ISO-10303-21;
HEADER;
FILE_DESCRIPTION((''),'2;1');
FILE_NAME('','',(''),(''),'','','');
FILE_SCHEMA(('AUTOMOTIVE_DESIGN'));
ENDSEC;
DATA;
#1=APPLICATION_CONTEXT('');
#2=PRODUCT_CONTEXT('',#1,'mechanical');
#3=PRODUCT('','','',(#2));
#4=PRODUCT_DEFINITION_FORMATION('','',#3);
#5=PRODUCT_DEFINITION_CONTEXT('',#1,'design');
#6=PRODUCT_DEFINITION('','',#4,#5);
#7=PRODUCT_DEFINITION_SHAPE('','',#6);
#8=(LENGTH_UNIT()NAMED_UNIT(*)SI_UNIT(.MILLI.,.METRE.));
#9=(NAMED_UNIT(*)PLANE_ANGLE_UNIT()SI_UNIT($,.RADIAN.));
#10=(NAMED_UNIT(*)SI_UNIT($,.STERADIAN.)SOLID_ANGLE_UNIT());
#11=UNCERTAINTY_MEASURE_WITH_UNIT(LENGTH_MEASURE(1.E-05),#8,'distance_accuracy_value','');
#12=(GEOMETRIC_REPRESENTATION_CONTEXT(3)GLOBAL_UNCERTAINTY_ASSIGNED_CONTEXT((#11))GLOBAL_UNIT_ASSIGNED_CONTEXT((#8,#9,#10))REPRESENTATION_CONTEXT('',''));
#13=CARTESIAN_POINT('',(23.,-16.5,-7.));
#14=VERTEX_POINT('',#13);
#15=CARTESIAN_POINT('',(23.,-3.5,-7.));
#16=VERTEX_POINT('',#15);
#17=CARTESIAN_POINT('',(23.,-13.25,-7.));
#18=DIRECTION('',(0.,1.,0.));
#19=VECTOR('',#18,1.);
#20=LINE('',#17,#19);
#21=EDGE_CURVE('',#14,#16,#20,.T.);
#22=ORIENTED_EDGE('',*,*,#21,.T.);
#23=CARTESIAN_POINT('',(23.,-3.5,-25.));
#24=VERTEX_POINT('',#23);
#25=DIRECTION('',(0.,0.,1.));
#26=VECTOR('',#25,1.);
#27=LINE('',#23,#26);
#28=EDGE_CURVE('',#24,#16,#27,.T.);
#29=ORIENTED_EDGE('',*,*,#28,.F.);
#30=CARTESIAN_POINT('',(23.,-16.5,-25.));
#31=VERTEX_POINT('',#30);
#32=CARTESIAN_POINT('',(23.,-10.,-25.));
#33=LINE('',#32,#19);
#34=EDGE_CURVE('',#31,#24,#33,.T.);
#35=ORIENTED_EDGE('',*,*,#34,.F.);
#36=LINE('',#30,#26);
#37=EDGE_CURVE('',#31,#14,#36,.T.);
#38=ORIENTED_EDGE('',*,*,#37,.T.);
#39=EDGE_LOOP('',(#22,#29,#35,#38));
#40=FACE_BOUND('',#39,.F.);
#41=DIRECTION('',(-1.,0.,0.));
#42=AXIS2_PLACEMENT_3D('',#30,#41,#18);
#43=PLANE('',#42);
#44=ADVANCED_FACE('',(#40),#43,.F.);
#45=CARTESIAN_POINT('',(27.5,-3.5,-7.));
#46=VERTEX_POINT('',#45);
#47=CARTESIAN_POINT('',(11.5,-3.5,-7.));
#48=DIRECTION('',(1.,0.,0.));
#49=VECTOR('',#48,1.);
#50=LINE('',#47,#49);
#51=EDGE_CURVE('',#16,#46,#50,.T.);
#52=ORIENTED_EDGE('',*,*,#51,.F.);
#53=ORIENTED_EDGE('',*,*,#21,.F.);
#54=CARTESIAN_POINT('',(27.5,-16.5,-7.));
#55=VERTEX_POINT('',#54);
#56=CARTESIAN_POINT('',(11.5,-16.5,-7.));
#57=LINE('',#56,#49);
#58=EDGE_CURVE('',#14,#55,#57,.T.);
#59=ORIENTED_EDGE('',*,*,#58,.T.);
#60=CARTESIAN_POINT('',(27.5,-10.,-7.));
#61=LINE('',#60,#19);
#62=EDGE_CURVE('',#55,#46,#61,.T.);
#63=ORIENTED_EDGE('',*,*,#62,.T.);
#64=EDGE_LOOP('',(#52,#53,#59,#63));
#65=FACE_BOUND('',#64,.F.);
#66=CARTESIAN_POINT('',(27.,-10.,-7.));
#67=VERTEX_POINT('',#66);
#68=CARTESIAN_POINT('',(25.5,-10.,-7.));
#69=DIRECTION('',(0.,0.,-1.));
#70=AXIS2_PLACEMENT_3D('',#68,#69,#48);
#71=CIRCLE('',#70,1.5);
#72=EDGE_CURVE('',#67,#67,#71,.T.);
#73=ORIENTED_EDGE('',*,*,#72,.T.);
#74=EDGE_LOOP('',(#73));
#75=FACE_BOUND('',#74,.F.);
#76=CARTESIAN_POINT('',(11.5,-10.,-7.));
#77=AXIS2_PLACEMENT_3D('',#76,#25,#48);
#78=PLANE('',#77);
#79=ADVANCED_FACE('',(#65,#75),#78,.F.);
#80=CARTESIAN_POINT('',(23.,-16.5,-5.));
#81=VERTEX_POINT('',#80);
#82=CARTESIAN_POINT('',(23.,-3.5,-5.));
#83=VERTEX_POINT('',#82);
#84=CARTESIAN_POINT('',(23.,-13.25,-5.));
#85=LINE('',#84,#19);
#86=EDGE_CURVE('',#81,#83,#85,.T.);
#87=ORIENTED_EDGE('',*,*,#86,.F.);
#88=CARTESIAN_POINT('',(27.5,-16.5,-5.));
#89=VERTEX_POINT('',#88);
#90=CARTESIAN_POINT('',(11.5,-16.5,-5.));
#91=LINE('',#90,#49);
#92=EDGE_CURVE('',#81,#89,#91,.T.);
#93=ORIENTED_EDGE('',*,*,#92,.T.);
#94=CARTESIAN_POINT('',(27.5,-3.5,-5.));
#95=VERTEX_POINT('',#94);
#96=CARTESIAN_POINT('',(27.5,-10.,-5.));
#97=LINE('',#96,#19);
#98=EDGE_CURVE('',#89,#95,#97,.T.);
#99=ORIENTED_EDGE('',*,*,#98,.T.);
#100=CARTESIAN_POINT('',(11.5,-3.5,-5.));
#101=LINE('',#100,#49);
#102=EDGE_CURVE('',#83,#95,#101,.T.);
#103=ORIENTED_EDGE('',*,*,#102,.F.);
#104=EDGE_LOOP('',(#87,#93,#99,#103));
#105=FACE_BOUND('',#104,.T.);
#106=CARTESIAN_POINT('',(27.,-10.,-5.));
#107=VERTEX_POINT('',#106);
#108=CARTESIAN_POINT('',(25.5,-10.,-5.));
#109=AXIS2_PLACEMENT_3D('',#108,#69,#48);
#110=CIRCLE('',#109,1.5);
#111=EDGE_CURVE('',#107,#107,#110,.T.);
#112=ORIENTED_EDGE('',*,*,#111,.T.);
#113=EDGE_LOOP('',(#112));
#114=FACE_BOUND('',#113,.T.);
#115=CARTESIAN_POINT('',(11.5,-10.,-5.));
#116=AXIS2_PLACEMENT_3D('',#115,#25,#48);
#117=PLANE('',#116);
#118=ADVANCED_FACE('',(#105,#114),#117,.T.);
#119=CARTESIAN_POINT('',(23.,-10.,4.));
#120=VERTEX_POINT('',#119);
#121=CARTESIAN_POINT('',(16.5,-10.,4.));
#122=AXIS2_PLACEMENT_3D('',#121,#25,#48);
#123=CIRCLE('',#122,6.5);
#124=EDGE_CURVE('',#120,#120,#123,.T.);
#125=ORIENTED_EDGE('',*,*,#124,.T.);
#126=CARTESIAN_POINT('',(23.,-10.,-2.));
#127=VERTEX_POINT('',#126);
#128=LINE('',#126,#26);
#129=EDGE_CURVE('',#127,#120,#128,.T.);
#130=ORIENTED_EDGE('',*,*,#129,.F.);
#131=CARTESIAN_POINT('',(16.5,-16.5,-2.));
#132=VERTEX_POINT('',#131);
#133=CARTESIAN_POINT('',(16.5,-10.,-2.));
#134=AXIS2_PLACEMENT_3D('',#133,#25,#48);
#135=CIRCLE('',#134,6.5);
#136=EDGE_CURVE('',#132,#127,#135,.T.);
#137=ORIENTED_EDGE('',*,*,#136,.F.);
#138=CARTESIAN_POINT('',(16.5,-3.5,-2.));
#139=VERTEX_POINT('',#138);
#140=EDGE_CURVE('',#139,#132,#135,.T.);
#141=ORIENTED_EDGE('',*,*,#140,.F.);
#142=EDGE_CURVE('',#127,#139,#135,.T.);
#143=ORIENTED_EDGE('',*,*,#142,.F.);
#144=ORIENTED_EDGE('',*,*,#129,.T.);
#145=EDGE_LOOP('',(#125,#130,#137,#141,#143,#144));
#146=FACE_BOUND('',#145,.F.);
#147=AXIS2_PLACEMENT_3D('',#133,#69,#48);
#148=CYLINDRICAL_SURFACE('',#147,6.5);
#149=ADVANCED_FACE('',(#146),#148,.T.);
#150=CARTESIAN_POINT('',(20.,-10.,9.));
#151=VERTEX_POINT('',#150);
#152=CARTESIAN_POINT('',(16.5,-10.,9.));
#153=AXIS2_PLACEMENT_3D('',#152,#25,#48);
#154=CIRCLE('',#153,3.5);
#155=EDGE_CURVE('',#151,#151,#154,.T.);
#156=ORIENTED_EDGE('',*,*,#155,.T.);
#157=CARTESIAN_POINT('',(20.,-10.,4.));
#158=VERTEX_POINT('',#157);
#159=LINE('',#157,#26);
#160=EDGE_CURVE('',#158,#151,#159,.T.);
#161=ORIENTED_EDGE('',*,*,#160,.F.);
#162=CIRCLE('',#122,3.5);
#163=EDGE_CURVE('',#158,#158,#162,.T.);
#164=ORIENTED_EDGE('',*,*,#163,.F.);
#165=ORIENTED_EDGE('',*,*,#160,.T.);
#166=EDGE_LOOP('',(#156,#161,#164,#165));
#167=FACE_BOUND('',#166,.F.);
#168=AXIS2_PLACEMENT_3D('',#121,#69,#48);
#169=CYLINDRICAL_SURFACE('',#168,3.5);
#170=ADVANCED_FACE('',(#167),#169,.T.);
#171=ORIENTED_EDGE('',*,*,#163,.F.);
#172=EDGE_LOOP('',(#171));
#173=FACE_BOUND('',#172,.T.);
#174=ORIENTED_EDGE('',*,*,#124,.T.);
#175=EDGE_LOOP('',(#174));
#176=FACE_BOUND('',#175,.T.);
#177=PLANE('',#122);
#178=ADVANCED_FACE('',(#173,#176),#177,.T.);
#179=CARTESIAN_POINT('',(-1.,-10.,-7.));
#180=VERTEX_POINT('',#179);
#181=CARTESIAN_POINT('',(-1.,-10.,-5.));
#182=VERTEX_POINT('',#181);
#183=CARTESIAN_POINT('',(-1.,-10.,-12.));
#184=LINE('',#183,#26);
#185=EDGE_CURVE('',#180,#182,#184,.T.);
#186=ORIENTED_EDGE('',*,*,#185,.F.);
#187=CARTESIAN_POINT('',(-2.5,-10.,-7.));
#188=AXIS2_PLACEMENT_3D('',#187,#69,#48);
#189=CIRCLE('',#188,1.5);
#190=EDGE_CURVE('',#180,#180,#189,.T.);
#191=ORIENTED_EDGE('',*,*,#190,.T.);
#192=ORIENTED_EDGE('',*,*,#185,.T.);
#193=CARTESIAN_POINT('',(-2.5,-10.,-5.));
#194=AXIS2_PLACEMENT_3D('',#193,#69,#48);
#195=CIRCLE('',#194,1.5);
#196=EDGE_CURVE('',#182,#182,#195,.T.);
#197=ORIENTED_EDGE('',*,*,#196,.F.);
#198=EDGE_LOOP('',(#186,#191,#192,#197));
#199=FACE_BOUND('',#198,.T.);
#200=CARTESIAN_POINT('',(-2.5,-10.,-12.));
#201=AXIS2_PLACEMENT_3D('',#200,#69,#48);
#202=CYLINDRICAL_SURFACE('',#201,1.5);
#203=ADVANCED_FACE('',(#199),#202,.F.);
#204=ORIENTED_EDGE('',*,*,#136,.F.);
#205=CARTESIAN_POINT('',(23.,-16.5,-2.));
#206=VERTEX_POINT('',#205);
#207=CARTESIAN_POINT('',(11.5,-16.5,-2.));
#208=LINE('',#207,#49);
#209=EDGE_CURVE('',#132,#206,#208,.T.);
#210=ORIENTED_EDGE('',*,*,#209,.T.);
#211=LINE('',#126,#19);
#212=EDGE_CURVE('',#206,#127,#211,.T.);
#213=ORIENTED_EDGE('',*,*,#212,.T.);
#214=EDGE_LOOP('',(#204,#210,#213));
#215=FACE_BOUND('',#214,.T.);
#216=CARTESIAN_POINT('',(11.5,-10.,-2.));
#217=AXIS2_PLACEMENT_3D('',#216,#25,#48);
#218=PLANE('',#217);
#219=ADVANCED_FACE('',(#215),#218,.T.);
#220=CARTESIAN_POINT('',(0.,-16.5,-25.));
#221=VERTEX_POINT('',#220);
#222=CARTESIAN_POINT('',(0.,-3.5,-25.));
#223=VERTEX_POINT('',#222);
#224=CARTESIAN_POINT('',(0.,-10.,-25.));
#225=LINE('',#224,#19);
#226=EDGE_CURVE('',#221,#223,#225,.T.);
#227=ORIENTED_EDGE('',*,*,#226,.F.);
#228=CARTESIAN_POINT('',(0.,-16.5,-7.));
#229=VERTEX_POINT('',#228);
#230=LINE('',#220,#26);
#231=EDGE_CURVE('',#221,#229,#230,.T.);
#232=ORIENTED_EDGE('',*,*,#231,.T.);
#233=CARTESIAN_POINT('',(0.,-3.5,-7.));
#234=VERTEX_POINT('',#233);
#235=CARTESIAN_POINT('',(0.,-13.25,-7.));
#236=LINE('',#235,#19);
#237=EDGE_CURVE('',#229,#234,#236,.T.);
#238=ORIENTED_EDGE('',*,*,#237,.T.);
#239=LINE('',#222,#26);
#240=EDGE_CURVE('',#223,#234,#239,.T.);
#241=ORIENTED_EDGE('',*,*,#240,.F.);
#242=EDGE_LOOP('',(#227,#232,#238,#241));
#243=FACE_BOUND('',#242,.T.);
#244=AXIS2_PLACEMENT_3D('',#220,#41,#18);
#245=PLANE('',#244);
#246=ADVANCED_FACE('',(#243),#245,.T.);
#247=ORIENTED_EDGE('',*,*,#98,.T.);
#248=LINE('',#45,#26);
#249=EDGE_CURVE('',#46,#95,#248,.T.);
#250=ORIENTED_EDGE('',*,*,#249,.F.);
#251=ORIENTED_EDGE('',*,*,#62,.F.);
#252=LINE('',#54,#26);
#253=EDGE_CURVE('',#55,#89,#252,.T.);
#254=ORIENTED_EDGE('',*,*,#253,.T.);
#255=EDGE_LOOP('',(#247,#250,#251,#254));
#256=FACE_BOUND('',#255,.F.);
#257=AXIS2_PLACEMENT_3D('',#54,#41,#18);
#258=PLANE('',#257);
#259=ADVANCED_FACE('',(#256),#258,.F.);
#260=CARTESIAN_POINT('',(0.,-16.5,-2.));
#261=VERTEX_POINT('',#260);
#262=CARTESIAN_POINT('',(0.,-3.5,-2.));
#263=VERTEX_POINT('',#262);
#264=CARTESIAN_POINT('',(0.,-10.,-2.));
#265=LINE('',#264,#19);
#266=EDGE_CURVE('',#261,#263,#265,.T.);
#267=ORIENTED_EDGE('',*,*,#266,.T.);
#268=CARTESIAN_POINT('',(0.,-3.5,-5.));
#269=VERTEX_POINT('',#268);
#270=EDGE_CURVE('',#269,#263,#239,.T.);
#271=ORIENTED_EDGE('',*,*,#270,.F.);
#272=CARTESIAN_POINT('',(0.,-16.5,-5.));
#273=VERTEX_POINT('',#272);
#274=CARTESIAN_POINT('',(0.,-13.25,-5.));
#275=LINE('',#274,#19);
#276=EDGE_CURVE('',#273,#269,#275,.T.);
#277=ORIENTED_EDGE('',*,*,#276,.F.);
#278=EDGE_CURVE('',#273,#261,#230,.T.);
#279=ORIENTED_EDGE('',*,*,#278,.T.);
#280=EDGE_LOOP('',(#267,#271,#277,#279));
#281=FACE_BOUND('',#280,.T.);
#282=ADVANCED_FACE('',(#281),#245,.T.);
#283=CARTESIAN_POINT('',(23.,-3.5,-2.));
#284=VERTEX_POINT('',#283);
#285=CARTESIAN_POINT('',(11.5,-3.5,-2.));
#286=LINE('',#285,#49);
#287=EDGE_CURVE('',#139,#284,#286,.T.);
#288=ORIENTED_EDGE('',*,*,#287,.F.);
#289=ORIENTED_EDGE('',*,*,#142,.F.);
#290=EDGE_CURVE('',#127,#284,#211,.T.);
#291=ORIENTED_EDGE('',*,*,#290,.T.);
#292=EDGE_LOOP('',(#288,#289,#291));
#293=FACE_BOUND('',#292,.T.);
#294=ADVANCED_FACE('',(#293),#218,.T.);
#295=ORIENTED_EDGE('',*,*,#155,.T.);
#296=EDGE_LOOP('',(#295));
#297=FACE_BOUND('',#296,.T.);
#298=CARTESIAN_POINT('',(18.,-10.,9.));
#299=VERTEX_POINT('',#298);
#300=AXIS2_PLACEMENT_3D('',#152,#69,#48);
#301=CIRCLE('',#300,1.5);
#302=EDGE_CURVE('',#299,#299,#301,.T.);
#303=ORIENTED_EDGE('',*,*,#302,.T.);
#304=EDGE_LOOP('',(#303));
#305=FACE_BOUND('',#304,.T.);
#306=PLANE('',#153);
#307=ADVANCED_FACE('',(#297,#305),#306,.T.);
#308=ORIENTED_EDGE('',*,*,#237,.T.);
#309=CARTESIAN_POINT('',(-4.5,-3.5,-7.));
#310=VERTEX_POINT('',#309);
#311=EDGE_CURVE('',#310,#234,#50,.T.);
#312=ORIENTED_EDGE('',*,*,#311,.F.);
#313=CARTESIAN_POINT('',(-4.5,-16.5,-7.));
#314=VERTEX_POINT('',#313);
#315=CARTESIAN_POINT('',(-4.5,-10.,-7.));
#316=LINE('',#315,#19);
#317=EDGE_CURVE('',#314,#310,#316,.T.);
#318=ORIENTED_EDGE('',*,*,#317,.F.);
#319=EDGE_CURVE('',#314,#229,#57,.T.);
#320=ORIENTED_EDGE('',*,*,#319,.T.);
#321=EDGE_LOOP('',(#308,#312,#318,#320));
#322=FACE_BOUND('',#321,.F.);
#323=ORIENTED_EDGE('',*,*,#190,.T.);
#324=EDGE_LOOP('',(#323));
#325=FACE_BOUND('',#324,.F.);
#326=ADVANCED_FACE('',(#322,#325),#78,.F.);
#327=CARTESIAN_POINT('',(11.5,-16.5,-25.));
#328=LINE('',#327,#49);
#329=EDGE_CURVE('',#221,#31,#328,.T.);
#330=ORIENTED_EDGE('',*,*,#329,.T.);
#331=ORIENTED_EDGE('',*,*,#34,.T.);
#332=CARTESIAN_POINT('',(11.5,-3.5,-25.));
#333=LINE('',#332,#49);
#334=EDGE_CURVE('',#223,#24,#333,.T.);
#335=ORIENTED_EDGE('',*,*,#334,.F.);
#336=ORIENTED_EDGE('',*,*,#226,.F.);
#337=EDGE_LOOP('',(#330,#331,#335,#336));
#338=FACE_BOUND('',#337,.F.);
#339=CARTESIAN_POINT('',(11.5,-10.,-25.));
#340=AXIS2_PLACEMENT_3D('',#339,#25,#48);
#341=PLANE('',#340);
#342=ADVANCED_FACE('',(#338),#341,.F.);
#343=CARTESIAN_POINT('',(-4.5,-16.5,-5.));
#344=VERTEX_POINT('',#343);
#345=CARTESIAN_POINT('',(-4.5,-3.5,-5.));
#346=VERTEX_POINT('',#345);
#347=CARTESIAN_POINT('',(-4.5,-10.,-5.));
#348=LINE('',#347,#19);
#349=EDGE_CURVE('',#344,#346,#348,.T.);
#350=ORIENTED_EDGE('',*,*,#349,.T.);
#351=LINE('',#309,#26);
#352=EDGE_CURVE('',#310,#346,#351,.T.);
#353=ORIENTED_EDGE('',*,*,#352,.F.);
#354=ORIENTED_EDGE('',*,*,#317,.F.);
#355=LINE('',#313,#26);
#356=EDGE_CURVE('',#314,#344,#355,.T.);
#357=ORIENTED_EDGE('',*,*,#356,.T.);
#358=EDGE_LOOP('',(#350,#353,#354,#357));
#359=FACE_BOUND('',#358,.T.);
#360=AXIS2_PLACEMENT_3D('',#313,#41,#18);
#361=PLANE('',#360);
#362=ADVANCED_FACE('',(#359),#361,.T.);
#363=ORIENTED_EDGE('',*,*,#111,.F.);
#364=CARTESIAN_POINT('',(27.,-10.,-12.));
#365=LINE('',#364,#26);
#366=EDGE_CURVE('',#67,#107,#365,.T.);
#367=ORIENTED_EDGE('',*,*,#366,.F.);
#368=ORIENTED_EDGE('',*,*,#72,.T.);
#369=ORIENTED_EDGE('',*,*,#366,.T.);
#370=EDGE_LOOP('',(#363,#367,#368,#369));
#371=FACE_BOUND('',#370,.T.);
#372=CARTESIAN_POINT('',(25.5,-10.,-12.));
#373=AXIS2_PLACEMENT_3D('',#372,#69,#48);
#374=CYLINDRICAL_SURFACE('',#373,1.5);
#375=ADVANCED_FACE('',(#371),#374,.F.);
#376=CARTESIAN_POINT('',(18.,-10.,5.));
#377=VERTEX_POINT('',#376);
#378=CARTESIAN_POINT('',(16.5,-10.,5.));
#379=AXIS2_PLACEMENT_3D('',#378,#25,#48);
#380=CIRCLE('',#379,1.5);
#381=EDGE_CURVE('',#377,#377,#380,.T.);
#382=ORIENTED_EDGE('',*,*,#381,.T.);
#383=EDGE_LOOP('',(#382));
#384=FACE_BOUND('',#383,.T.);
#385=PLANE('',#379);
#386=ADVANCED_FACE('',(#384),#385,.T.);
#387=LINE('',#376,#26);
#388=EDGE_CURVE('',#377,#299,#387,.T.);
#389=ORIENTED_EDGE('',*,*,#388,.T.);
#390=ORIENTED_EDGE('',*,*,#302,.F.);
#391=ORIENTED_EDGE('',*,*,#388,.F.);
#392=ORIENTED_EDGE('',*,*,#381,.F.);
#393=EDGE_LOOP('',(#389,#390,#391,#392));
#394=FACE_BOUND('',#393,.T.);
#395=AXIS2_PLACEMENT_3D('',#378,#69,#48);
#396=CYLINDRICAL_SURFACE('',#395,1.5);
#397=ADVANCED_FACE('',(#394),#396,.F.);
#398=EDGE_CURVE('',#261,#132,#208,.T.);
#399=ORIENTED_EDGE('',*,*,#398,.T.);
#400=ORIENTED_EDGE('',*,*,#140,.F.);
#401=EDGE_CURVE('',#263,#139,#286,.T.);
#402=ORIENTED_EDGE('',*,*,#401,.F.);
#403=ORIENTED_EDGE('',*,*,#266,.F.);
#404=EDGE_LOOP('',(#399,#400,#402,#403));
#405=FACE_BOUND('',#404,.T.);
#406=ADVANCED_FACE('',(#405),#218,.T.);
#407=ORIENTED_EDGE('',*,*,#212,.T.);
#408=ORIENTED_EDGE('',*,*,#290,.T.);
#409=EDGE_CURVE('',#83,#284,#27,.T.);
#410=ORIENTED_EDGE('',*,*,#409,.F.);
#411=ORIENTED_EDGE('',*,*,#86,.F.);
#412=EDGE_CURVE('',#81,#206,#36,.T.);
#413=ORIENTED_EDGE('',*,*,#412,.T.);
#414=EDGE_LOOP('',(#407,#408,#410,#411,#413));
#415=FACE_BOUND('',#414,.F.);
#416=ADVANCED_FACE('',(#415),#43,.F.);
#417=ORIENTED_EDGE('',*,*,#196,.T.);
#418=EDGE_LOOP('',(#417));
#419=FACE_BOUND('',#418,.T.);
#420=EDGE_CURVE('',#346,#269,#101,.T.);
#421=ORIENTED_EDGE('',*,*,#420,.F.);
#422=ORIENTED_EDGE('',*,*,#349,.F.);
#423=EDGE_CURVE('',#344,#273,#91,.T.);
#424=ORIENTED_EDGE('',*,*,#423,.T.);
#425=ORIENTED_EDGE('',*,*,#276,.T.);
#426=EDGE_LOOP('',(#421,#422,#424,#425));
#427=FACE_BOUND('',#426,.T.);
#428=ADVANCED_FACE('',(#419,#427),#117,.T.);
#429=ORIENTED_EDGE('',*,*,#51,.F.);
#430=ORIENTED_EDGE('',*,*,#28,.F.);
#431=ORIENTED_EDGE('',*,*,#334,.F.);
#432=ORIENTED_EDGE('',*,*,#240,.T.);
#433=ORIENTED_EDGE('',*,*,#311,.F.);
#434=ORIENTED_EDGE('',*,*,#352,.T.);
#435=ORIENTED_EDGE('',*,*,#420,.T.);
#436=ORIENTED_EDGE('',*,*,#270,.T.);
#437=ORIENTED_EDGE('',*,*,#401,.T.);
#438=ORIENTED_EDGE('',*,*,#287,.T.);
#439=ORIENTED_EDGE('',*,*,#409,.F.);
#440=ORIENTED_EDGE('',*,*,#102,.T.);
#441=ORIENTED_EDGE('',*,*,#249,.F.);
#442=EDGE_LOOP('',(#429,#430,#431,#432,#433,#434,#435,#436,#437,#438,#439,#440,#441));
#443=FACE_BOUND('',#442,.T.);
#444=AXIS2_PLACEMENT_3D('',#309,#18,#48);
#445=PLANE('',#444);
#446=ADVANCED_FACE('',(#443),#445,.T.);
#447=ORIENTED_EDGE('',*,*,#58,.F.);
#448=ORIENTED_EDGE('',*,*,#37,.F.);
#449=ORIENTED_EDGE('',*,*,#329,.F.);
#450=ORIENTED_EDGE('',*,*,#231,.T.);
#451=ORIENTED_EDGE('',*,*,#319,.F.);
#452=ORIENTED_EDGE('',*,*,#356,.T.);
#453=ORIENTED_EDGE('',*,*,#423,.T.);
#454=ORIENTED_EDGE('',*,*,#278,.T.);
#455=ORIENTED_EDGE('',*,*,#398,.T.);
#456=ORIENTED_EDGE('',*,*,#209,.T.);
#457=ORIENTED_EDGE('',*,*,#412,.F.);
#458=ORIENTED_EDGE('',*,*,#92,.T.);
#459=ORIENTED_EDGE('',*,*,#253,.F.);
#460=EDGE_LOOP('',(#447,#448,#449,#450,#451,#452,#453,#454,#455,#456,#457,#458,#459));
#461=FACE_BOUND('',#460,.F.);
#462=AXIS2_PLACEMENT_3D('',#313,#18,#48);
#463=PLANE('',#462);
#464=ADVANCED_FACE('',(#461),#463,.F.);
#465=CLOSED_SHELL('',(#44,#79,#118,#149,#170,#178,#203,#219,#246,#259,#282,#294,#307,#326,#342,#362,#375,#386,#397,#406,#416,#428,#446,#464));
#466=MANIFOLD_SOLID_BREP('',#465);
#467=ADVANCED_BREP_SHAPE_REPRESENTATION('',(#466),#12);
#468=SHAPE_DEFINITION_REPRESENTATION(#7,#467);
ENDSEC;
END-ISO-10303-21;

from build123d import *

# Parameters (mm, degrees)
CYLINDER007_R     = 1.5
CYLINDER007_DEPTH = 10
CYLINDER005_R     = 1.5
CYLINDER005_DEPTH = 5
CYLINDER006_R     = 1.5
CYLINDER006_DEPTH = 10
CYLINDER008_R     = 3.5
CYLINDER008_DEPTH = 5
BOX003_W          = 32
BOX003_H          = 13
BOX003_DEPTH      = 2
CYLINDER009_R     = 6.5
CYLINDER009_DEPTH = 6
BOX002_W          = 23
BOX002_H          = 13
BOX002_DEPTH      = 23


with BuildPart() as zylinder007:
    # Cylinder007 → Cylinder007 (new body)
    with BuildSketch(Plane(origin=(25.5, 6.5, 13), x_dir=(1, 0, 0), z_dir=(0, 0, 1))):
        Circle(CYLINDER007_R)
    extrude(amount=CYLINDER007_DEPTH)


with BuildPart() as zylinder005:
    # Cylinder005 → Cylinder005 (new body)
    with BuildSketch(Plane(origin=(16.5, 6.5, 30), x_dir=(1, 0, 0), z_dir=(0, 0, 1))):
        Circle(CYLINDER005_R)
    extrude(amount=CYLINDER005_DEPTH)


with BuildPart() as fusion003:
    # Cylinder006 → Cylinder006 (new body)
    with BuildSketch(Plane(origin=(-2.5, 6.5, 13), x_dir=(1, 0, 0), z_dir=(0, 0, 1))):
        Circle(CYLINDER006_R)
    extrude(amount=CYLINDER006_DEPTH)

    # Fusion003: union Zylinder007, Zylinder005
    add(zylinder007.part)
    add(zylinder005.part)


with BuildPart() as zylinder008:
    # Cylinder008 → Cylinder008 (new body)
    with BuildSketch(Plane(origin=(16.5, 6.5, 29), x_dir=(1, 0, 0), z_dir=(0, 0, 1))):
        Circle(CYLINDER008_R)
    extrude(amount=CYLINDER008_DEPTH)


with BuildPart() as w_rfel003:
    # Box003 → Box003 (new body)
    with BuildSketch(Plane(origin=(-4.5, 0, 18), x_dir=(1, 0, 0), z_dir=(0, 0, 1))):
        with Locations((16, 6.5)):
            Rectangle(BOX003_W, BOX003_H)
    extrude(amount=BOX003_DEPTH)


with BuildPart() as zylinder009:
    # Cylinder009 → Cylinder009 (new body)
    with BuildSketch(Plane(origin=(16.5, 6.5, 23), x_dir=(1, 0, 0), z_dir=(0, 0, 1))):
        Circle(CYLINDER009_R)
    extrude(amount=CYLINDER009_DEPTH)


with BuildPart() as servo2:
    # Box002 → Box002 (new body)
    with BuildSketch(Plane.XY):
        with Locations((11.5, 6.5)):
            Rectangle(BOX002_W, BOX002_H)
    extrude(amount=BOX002_DEPTH)

    # Fusion002: union Zylinder008, Würfel003, Zylinder009
    add(zylinder008.part)
    add(w_rfel003.part)
    add(zylinder009.part)

    # Cut001: cut Fusion003
    add(fusion003.part, mode=Mode.SUBTRACT)


with BuildPart() as servo2_1:
    # Cut001 placement: moved
    add(servo2.part.moved(Location((0, -16.5, -25))))


solid = servo2_1.part
